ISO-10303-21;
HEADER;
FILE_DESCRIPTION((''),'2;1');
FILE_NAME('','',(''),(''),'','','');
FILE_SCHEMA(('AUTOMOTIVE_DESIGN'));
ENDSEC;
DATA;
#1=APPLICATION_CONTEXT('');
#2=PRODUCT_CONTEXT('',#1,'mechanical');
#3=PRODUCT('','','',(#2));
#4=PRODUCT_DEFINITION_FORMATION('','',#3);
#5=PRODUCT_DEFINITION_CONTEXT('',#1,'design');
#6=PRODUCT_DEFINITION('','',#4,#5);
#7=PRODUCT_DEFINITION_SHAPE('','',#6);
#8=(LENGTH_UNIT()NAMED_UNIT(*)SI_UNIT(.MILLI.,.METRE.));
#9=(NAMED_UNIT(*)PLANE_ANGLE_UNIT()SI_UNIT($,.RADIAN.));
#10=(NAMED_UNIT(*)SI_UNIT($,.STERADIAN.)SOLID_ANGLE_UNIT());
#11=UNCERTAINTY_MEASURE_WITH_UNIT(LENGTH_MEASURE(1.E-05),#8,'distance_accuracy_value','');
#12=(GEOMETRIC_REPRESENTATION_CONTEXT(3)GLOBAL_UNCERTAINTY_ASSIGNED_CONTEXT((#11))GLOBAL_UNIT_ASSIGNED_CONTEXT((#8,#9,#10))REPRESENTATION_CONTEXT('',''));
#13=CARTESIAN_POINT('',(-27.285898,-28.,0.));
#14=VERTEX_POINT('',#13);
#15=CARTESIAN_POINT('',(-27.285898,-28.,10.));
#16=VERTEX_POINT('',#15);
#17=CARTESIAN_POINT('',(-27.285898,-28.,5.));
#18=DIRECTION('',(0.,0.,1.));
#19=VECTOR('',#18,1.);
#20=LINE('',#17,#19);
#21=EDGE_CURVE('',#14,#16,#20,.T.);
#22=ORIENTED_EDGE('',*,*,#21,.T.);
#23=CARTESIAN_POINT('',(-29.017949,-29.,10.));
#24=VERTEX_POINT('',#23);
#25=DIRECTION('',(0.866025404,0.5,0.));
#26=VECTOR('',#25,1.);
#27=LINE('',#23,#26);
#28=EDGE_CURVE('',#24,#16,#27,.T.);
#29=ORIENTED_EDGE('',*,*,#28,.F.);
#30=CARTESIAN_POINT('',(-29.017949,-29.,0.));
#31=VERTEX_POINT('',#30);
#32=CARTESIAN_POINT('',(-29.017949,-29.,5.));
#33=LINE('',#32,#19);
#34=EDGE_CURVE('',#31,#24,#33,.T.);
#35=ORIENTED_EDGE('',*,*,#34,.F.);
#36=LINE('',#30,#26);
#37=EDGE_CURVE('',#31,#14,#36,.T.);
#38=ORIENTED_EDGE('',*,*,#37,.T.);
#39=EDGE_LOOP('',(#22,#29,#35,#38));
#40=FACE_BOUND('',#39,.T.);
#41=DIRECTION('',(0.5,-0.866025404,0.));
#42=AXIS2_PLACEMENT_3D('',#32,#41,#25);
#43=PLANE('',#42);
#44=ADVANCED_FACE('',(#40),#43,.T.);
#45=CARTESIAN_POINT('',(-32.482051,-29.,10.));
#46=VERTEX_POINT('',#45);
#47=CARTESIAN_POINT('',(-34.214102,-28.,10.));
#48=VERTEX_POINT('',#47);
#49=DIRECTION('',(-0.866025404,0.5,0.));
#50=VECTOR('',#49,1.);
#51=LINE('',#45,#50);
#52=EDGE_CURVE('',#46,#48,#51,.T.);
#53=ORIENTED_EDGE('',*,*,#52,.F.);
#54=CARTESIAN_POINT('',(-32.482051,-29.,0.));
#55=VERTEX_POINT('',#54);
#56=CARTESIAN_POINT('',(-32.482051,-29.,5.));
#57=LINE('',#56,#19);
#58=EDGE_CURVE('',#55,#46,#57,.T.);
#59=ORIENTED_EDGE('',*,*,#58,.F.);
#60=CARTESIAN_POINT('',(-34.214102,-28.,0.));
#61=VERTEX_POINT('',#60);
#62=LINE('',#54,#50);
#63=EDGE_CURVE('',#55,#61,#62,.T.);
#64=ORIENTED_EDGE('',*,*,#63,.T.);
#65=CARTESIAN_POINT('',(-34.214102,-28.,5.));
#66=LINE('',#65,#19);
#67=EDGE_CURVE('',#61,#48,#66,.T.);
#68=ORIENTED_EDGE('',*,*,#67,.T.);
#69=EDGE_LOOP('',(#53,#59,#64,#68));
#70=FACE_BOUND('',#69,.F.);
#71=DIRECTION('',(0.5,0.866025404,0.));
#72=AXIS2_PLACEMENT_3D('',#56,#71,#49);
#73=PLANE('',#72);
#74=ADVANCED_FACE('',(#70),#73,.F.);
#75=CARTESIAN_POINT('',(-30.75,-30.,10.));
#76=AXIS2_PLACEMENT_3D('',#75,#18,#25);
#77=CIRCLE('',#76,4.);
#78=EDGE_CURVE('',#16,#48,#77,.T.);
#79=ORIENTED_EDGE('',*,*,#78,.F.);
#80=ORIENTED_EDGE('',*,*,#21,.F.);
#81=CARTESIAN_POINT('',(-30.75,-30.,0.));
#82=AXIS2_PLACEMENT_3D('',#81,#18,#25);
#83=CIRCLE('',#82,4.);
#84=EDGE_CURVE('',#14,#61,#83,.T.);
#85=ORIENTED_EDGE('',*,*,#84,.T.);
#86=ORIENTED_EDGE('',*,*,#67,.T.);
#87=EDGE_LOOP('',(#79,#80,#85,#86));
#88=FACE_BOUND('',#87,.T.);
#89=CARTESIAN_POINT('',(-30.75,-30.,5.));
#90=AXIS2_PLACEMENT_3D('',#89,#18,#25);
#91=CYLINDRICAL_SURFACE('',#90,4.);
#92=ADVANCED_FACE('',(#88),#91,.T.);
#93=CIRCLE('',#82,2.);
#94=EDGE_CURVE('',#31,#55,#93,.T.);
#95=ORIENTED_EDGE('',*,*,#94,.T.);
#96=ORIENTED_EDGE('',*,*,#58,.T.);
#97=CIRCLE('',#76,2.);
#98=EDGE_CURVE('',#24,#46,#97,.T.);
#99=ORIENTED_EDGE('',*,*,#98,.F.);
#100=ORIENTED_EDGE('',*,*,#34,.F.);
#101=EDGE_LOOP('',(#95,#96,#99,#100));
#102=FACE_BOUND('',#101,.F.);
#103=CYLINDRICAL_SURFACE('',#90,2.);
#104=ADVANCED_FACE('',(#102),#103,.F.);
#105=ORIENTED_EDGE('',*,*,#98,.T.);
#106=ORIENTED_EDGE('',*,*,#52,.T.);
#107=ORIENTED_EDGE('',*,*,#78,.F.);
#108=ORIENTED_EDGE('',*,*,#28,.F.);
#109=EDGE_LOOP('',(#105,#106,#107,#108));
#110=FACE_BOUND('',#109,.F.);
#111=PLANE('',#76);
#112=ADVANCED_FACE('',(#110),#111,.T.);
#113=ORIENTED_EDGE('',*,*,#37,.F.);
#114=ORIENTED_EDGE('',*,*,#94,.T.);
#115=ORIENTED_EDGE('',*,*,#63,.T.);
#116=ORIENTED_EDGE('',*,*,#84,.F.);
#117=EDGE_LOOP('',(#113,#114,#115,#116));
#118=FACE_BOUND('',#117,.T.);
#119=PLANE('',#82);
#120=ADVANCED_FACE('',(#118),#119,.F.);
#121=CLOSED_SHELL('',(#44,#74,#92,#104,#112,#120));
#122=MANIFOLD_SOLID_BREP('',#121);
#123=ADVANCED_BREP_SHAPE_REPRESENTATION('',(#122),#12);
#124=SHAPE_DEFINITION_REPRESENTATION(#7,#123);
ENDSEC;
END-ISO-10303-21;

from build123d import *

# Parameters (mm, degrees)
CYLINDER018_W               = 2
CYLINDER018_H               = 10
CYLINDER018_ANGLE           = 120
CYLINDER018_PLACEMENT_ANGLE = 30
CYLINDER016_W               = 4
CYLINDER016_H               = 10
CYLINDER016_ANGLE           = 120
CYLINDER016_PLACEMENT_ANGLE = 30


with BuildPart() as cilindro009:
    # Cylinder018 → Cylinder018 (revolve)
    with BuildSketch(Plane.XZ):
        with Locations((1, 5)):
            Rectangle(CYLINDER018_W, CYLINDER018_H)
    revolve(axis=Axis((0, 0, 0), (0, 0, 1)), revolution_arc=CYLINDER018_ANGLE)


with BuildPart() as cilindro009_1:
    # Cylinder018 placement: moved
    add(cilindro009.part.moved(Location((-30.75, -30, 0))).rotate(Axis((-30.75, -30, 0), (0, 0, 1)), CYLINDER018_PLACEMENT_ANGLE))


with BuildPart() as inalambrico_peque_o001:
    # Cylinder016 → Cylinder016 (revolve)
    with BuildSketch(Plane.XZ):
        with Locations((2, 5)):
            Rectangle(CYLINDER016_W, CYLINDER016_H)
    revolve(axis=Axis((0, 0, 0), (0, 0, 1)), revolution_arc=CYLINDER016_ANGLE)


with BuildPart() as inalambrico_peque_o001_1:
    # Cylinder016 placement: moved
    add(inalambrico_peque_o001.part.moved(Location((-30.75, -30, 0))).rotate(Axis((-30.75, -30, 0), (0, 0, 1)), CYLINDER016_PLACEMENT_ANGLE))

    # Cut007: cut Cilindro009
    add(cilindro009_1.part, mode=Mode.SUBTRACT)


solid = inalambrico_peque_o001_1.part
